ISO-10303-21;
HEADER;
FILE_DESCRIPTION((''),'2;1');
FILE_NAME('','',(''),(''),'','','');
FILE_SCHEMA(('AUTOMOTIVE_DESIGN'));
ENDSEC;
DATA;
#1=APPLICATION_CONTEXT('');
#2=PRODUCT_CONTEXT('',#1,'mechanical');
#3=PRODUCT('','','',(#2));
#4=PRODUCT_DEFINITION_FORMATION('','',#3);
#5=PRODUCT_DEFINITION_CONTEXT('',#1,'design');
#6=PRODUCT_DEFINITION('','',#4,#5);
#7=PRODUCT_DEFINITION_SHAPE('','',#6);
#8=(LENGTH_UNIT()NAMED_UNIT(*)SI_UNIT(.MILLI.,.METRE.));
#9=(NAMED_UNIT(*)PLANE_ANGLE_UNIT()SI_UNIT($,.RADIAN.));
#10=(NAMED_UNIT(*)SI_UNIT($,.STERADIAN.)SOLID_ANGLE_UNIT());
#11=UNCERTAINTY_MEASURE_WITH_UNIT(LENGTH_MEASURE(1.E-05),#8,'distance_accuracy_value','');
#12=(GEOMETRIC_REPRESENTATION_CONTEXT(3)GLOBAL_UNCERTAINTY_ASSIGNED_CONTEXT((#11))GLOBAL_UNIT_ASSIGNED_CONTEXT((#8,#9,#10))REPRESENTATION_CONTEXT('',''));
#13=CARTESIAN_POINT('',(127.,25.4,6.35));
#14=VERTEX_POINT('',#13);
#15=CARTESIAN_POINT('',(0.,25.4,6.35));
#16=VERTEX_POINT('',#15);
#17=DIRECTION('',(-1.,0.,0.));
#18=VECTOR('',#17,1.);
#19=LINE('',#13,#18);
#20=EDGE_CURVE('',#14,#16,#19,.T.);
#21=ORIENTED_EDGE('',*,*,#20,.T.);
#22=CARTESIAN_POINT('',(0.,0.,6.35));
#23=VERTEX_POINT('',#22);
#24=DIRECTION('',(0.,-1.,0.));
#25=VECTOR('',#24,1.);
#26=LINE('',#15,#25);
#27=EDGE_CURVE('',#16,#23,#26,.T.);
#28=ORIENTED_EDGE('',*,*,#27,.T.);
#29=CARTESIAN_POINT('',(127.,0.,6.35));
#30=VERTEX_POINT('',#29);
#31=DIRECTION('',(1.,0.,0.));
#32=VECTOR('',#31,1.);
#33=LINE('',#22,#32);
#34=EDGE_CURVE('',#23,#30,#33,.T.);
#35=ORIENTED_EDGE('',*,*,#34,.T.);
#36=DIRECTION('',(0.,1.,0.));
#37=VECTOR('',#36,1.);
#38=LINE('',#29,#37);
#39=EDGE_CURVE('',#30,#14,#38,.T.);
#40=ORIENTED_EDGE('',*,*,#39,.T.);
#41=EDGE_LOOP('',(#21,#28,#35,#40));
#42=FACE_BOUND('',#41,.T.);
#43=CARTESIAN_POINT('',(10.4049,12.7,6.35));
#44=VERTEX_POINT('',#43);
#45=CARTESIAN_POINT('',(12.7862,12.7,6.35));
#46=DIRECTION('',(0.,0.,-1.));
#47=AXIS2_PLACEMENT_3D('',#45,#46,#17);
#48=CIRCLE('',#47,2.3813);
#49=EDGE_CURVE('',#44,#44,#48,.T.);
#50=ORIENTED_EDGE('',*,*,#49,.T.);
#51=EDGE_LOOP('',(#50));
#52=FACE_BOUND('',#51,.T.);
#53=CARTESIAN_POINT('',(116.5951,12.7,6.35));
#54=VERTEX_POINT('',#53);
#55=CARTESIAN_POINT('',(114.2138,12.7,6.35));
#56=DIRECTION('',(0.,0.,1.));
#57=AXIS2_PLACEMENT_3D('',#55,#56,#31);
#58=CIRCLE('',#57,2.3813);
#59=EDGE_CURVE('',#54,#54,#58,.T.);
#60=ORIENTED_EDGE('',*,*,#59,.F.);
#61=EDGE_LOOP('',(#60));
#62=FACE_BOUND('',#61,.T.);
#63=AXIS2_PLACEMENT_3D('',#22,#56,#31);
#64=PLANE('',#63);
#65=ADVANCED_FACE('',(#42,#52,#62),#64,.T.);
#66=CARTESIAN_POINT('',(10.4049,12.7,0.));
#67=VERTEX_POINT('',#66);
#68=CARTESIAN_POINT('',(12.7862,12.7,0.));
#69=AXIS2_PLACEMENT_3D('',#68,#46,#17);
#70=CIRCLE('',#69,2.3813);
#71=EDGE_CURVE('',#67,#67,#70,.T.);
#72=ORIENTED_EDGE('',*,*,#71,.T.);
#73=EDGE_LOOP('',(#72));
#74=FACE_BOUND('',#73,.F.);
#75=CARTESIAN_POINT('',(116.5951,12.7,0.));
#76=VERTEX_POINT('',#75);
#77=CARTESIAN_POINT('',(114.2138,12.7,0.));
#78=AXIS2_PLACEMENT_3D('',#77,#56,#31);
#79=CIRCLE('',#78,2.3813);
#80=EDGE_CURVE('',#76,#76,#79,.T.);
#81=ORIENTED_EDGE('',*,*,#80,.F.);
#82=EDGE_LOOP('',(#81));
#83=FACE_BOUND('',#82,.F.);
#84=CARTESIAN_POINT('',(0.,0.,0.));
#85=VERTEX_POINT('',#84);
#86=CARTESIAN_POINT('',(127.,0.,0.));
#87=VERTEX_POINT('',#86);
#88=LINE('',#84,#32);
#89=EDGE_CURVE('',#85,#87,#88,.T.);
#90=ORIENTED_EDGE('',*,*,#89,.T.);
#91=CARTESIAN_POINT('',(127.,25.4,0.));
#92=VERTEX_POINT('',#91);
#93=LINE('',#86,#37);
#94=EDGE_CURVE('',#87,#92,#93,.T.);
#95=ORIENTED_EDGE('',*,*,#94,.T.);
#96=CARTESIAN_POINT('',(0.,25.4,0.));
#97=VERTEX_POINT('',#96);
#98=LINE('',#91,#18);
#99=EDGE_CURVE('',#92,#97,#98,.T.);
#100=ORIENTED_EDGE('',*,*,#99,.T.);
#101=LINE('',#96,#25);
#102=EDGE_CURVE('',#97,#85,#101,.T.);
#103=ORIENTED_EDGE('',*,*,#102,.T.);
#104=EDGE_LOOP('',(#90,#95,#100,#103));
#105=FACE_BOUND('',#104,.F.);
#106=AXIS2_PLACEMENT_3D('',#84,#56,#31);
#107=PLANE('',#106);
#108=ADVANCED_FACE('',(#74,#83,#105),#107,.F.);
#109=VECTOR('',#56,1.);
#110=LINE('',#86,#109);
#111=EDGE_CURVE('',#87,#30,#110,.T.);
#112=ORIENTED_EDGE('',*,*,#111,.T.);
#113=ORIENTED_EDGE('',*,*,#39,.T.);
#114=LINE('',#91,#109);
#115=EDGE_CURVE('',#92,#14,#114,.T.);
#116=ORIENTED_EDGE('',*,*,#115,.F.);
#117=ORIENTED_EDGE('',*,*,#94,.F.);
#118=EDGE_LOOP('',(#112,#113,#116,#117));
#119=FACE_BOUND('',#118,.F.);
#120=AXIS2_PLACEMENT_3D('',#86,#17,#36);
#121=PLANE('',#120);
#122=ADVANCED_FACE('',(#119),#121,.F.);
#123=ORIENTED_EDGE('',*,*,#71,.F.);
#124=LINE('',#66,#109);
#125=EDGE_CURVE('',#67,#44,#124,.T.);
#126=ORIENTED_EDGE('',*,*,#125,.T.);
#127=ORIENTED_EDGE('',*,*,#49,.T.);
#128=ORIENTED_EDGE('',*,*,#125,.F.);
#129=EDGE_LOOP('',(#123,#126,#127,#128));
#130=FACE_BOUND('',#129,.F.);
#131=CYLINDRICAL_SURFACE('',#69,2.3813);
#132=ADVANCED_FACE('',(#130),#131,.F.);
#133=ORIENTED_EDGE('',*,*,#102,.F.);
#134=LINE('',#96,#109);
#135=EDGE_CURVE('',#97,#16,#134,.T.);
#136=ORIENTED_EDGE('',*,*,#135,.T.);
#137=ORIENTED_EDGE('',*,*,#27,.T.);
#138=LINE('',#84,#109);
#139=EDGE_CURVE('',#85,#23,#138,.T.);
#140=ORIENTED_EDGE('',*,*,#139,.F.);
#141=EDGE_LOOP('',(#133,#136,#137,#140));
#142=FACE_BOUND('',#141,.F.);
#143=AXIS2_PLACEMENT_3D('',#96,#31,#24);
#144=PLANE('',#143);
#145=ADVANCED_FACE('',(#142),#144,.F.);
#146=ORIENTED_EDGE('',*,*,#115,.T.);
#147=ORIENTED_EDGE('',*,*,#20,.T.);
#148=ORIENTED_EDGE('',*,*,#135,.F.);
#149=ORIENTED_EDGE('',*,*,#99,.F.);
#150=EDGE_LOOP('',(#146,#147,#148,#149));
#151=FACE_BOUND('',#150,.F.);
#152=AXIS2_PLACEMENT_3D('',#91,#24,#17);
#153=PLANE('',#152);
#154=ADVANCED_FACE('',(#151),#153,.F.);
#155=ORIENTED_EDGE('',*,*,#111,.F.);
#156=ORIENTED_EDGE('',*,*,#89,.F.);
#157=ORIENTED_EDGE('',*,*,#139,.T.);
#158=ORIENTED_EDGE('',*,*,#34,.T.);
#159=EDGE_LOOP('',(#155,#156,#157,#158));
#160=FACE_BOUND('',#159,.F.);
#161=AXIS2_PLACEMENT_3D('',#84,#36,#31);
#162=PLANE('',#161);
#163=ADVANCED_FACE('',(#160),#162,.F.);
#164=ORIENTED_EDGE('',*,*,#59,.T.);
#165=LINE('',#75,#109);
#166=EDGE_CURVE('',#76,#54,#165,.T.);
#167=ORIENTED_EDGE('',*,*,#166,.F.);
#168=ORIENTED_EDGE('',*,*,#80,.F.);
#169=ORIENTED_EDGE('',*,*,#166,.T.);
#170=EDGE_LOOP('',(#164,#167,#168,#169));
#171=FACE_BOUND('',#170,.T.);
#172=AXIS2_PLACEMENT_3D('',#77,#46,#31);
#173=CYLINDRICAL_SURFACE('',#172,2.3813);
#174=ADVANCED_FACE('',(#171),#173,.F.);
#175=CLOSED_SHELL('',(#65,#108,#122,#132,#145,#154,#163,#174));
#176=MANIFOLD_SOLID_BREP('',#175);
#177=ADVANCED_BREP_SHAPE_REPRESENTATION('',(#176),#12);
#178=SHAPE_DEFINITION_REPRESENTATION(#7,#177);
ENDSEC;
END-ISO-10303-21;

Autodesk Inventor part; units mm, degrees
ref_plane "YZ Plane" through (0, 0, 0) normal (1, 0, 0) x (0, 1, 0)
ref_plane "XZ Plane" through (0, 0, 0) normal (0, 1, 0) x (-1, 0, 0)
sketch "Sketch1" plane through (0, 0, 0) normal (0, 0, 1) x (1, 0, 0)
  line L0 (0, 0) -> (127, 0)
  line L1 (127, 0) -> (127, 25.4)
  line L2 (127, 25.4) -> (0, 25.4)
  line L3 (0, 25.4) -> (0, 0)
  dimension "d0" = 127
  dimension "d1" = 25.4
extrude "Extrusion1" add sketch "Sketch1" along normal blind 6.35
sketch "Sketch2" plane through (0, 0, 0) normal (0, 0, -1) x (-1, 0, 0)
  line L0 (-127, 25.4) -> (0, 25.4) projected
  line L1 (0, 25.4) -> (0, 0) projected
  circle A0 centre (-12.7862, 12.7) radius 2.3813
  dimension "d4" = 12.7
  dimension "d5" = 12.7862
  dimension "d6" = 4.7625
extrude "Extrusion2" cut sketch "Sketch2" against normal blind 6.35
ref_plane "Work Plane1" through (63.5, 0, 0) normal (-1, 0, 0) x (0, 0, 1)
mirror "Mirror1" about plane through (63.5, 0, 0) normal (-1, 0, 0) of "Extrusion2"
properties part number "Plate that touches lift" material "Aluminum 6061"
